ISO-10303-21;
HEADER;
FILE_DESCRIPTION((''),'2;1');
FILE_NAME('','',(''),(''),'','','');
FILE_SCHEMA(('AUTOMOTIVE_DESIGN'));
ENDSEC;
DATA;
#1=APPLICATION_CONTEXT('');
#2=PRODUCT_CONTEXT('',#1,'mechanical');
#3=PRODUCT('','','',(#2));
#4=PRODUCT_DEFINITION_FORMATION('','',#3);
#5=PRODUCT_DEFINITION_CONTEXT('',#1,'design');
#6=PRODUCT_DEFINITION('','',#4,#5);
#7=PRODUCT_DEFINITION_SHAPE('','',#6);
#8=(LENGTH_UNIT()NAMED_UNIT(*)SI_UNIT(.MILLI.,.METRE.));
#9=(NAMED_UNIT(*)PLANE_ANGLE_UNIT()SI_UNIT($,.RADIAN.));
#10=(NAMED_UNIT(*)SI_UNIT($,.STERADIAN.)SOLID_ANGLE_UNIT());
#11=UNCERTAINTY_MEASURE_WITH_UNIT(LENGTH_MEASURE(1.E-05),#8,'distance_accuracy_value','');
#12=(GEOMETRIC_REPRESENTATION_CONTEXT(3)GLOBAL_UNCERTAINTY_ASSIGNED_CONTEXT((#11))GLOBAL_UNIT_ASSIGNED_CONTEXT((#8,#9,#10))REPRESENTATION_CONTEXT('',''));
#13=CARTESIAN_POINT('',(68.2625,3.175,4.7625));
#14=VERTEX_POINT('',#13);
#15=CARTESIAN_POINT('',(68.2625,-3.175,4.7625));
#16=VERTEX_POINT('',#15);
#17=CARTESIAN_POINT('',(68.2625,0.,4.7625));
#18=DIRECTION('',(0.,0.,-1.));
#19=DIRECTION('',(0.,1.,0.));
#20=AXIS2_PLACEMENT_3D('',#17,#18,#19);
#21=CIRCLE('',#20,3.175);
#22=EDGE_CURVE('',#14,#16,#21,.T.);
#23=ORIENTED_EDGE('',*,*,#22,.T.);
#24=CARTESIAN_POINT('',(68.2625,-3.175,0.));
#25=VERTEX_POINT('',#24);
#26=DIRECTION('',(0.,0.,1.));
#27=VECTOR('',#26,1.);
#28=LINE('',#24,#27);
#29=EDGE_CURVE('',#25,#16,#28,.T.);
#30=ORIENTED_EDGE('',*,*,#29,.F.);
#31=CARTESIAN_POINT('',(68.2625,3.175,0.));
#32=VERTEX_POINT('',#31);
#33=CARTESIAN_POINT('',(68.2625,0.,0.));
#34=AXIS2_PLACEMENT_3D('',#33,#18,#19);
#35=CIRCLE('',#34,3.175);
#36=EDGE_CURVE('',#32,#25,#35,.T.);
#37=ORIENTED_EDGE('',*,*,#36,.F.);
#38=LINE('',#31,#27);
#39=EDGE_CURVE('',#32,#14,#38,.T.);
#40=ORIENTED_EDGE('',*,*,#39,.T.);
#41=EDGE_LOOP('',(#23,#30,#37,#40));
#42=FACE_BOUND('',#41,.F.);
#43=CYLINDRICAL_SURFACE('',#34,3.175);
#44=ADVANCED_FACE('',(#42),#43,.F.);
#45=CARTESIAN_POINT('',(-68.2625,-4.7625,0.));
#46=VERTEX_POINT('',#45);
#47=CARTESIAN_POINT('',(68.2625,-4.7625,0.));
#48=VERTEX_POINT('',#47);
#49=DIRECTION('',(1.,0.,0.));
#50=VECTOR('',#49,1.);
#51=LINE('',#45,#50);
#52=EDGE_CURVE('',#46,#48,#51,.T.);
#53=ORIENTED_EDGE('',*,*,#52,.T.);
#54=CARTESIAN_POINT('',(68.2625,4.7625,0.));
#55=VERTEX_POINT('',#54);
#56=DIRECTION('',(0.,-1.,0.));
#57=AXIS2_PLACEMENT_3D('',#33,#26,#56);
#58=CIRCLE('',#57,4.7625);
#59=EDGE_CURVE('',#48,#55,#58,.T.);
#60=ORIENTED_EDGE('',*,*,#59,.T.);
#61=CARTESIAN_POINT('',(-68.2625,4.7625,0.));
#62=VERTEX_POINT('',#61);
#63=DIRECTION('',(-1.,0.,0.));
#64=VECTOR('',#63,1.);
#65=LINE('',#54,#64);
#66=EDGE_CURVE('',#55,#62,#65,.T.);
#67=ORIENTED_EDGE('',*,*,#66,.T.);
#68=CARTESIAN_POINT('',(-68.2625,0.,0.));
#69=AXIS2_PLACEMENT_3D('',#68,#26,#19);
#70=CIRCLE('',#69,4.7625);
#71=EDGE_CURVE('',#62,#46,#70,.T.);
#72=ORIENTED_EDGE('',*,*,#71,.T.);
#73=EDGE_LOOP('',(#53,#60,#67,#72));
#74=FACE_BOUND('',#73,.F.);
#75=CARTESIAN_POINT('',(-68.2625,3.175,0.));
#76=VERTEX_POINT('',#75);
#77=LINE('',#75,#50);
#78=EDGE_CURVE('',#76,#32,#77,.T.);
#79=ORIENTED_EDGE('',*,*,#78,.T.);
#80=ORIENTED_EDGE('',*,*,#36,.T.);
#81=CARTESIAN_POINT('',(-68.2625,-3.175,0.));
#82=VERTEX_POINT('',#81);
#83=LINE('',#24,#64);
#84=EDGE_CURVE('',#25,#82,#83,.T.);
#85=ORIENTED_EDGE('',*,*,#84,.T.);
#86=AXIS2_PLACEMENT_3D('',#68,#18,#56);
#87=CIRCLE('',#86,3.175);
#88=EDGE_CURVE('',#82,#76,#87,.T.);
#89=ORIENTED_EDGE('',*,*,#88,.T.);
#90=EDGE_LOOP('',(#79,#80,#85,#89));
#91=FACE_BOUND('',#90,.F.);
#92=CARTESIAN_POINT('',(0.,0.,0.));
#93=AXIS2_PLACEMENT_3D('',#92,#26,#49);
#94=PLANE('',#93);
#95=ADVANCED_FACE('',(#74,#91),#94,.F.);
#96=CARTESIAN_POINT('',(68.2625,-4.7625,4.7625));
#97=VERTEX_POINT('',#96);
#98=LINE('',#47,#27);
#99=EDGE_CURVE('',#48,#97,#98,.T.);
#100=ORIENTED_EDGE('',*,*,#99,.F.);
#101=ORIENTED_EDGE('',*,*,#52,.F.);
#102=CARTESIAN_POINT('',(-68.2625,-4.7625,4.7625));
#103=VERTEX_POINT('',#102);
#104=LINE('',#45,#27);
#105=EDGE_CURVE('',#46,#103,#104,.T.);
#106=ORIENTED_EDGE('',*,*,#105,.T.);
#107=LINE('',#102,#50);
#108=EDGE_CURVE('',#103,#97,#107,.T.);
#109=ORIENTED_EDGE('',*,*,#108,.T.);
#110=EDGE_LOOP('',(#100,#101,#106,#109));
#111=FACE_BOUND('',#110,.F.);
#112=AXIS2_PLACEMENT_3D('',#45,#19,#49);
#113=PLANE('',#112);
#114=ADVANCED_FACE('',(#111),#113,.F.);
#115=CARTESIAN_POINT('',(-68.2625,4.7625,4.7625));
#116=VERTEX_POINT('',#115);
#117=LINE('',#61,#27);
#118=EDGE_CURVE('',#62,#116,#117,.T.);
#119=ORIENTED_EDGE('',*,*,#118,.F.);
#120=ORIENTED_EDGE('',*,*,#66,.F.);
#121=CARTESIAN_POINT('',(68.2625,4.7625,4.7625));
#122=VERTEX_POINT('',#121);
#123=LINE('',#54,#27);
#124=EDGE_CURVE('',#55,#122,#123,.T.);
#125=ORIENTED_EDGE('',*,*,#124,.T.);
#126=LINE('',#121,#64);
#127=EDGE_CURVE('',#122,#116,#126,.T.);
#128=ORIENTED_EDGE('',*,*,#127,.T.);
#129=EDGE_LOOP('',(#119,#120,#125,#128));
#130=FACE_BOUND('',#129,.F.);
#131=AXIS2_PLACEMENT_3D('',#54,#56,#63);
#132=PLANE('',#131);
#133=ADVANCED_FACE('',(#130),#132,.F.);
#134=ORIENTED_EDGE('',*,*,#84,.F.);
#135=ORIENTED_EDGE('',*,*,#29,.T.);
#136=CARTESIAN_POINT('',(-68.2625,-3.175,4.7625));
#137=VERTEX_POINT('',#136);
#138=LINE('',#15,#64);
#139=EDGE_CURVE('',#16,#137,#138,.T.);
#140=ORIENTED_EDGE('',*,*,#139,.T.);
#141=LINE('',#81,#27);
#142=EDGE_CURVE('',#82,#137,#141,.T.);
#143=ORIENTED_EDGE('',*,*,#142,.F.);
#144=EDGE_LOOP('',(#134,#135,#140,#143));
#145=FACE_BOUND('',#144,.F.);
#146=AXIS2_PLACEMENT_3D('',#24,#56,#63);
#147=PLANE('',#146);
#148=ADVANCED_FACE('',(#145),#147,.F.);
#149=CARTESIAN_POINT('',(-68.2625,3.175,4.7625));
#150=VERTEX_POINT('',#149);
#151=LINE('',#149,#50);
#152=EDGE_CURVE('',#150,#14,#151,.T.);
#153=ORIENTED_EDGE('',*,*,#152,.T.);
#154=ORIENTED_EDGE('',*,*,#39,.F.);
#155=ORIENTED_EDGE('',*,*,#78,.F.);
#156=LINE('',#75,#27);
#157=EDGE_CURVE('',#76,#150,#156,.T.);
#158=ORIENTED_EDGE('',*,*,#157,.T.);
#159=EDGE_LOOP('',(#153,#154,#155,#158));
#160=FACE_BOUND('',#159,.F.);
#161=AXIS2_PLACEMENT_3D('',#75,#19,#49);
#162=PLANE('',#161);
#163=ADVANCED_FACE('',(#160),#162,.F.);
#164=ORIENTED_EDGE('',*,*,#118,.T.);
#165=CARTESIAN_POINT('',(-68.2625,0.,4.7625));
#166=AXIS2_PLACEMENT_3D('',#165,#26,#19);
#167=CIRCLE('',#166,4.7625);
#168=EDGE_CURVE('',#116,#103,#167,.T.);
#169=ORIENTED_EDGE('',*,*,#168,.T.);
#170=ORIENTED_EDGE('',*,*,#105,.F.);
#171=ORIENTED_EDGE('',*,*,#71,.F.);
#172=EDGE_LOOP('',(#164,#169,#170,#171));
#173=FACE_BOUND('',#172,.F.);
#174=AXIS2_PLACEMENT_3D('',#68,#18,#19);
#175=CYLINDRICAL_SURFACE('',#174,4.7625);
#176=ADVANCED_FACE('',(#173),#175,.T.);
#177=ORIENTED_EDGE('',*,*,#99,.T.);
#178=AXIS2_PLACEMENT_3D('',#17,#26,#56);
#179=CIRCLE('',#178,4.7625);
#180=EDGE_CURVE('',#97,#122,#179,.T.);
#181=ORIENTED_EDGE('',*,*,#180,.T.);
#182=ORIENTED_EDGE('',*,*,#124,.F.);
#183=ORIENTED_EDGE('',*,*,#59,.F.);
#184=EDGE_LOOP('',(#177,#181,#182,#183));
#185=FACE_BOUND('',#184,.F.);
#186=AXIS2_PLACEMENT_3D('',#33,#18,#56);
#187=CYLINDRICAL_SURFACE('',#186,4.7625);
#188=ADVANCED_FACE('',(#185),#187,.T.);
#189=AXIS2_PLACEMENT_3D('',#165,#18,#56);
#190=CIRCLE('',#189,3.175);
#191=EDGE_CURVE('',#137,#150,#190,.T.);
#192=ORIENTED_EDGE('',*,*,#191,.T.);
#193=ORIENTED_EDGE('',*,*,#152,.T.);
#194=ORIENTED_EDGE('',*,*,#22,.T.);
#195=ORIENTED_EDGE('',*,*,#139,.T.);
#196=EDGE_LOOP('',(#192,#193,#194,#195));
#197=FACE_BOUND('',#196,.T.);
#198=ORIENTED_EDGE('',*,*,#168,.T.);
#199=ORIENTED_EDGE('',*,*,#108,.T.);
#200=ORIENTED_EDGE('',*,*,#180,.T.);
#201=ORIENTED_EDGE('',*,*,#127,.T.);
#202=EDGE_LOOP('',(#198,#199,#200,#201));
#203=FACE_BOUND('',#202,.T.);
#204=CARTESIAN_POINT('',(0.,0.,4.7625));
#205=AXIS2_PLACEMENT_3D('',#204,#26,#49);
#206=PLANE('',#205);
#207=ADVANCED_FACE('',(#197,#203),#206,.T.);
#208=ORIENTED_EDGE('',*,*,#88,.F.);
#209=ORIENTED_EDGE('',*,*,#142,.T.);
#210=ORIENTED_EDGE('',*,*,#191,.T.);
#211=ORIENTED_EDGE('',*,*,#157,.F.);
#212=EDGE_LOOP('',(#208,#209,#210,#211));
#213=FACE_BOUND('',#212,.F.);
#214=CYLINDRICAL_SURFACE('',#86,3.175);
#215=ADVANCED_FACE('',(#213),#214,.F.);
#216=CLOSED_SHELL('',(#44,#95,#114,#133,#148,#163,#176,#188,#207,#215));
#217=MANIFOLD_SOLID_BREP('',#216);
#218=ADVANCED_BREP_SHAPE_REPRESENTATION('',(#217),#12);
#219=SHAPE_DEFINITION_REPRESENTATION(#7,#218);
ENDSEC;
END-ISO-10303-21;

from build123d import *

# Parameters (mm, degrees)
F1_DEPTH = 4.7625


with BuildPart() as f1:
    # F0 (on Top) → F1 (new body)
    with BuildSketch(Plane.XY):
        with BuildLine():
            Line((68.2625, 4.7625), (-68.2625, 4.7625))
            ThreePointArc((-68.2625, 4.7625), (-73.025, 0), (-68.2625, -4.7625))
            Line((-68.2625, -4.7625), (68.2625, -4.7625))
            ThreePointArc((68.2625, -4.7625), (73.025, 0), (68.2625, 4.7625))
        make_face()
        with BuildLine():
            Line((68.2625, -3.175), (-68.2625, -3.175))
            ThreePointArc((-68.2625, -3.175), (-71.4375, 0), (-68.2625, 3.175))
            Line((-68.2625, 3.175), (68.2625, 3.175))
            ThreePointArc((68.2625, 3.175), (71.4375, 0), (68.2625, -3.175))
        make_face(mode=Mode.SUBTRACT)
    extrude(amount=F1_DEPTH)


solid = f1.part
